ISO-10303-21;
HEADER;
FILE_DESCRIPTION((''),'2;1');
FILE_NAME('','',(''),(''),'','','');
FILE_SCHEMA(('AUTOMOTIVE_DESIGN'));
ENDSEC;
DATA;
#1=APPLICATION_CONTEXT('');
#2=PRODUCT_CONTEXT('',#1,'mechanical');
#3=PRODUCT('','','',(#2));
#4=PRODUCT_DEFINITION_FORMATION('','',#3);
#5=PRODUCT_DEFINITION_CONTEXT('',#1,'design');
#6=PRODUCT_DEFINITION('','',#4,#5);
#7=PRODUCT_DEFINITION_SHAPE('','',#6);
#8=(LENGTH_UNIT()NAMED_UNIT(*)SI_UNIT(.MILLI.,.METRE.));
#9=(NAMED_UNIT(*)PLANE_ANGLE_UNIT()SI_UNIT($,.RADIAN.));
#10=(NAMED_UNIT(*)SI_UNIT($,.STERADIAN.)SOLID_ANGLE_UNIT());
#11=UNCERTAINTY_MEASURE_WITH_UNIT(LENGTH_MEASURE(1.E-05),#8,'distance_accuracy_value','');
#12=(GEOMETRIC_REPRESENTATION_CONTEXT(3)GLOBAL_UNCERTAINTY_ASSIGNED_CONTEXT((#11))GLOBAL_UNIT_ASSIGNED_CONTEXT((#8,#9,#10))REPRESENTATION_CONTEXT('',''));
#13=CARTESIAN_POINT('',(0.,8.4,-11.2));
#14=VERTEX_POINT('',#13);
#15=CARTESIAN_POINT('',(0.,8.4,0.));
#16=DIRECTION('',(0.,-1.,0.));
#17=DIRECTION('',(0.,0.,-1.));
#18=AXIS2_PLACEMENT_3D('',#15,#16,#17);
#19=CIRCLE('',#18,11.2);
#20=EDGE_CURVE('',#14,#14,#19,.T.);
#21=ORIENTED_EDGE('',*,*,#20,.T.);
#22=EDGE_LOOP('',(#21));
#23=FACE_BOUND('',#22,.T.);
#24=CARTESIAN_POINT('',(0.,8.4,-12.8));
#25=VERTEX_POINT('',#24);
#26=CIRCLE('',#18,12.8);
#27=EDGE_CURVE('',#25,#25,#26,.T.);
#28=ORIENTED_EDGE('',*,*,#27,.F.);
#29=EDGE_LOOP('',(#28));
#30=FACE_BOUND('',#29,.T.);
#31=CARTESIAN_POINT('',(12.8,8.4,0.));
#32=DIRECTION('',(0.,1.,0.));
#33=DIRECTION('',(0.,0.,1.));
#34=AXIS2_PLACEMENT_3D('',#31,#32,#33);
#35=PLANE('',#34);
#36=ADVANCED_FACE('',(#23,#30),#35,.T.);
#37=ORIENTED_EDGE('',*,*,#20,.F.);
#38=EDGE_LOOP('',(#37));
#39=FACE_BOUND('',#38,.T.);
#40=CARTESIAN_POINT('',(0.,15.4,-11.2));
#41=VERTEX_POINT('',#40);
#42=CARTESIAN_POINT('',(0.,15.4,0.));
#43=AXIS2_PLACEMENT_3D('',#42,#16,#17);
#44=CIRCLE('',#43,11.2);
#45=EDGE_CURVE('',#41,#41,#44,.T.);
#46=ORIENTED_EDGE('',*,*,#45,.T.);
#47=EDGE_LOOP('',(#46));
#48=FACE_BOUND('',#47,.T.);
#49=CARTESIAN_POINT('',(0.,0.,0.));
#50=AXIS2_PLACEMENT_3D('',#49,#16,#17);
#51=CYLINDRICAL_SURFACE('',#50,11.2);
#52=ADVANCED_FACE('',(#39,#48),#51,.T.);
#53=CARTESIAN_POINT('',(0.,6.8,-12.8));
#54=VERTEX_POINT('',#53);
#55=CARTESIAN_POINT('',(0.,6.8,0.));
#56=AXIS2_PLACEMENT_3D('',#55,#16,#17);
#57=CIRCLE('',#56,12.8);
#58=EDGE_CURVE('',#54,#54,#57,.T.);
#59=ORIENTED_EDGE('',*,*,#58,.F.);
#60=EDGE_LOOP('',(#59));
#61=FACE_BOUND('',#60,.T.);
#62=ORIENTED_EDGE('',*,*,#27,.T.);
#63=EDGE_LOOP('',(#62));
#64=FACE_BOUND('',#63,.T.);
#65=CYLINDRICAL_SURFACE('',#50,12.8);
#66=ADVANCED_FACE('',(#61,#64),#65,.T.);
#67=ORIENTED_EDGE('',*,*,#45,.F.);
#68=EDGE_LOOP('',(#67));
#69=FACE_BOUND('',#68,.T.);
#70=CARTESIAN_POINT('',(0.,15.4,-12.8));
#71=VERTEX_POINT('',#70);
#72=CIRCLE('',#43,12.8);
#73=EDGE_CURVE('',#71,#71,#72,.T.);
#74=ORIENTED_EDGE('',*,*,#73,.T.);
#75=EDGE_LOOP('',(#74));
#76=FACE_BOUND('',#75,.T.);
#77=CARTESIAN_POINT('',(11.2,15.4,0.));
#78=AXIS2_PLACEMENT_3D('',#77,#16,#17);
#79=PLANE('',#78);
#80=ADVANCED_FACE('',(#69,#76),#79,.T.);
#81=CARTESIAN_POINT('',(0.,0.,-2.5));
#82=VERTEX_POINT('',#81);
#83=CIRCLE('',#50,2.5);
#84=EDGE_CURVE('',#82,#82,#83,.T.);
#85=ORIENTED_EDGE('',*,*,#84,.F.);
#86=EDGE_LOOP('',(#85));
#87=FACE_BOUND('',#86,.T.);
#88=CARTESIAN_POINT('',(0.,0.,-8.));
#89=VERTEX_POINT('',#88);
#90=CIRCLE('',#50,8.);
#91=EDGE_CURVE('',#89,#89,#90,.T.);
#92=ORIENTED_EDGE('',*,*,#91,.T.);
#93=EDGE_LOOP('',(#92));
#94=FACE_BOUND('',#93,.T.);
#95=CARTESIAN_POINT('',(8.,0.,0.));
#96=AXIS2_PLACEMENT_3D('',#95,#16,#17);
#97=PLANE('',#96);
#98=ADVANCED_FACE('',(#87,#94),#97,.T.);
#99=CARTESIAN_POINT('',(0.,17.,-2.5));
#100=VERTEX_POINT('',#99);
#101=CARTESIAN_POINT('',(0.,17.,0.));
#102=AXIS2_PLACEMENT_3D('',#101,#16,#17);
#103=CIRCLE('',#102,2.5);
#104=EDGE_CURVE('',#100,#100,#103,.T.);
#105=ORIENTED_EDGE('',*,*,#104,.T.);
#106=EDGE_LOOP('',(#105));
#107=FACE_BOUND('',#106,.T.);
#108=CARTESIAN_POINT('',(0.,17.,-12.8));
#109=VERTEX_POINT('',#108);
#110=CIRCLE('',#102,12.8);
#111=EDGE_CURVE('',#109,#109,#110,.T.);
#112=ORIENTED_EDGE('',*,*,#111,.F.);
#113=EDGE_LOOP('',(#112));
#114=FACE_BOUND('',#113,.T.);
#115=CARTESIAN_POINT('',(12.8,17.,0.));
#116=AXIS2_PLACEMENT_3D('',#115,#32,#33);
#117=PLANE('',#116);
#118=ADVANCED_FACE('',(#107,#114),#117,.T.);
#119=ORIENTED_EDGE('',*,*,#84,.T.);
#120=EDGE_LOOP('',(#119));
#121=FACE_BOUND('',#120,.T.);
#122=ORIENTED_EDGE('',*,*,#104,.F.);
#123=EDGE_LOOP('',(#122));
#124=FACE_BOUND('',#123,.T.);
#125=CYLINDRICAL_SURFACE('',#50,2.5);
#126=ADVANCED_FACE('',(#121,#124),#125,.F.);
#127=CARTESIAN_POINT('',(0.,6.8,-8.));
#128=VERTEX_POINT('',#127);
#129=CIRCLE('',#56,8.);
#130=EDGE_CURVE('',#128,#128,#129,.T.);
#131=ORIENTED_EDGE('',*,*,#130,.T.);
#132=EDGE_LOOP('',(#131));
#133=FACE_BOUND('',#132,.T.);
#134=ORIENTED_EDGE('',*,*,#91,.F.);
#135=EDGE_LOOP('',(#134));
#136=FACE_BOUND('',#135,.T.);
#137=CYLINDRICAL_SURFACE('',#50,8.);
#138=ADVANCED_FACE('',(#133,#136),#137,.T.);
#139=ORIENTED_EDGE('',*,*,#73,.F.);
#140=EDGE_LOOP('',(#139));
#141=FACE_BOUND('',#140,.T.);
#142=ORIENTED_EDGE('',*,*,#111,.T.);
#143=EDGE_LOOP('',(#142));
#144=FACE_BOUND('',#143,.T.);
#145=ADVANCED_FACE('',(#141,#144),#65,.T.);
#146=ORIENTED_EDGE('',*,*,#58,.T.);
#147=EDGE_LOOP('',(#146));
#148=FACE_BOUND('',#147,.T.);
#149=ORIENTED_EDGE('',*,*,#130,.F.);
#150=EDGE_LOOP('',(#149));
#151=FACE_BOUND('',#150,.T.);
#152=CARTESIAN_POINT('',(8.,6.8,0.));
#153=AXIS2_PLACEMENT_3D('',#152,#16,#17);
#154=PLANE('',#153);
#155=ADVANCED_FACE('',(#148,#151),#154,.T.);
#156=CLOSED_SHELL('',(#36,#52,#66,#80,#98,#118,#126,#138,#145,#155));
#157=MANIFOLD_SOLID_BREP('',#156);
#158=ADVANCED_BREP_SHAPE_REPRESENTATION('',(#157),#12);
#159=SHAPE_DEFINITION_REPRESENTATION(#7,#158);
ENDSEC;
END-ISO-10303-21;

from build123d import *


with BuildPart() as part:
    # Sketch1 → Revolve1 (revolve)
    with BuildSketch(Plane.XY, mode=Mode.PRIVATE) as revolve1_sk:
        Polygon((8, 0), (8, 6.8), (12.8, 6.8), (12.8, 8.4), (11.2, 8.4), (11.2, 15.4), (12.8, 15.4), (12.8, 17), (2.5, 17), (2.5, 0), align=None)
    revolve(revolve1_sk.sketch.rotate(Axis((0, 0, 0), (0, 1, 0)), 90), axis=Axis((0, 0, 0), (0, 1, 0)))


solid = part.part
